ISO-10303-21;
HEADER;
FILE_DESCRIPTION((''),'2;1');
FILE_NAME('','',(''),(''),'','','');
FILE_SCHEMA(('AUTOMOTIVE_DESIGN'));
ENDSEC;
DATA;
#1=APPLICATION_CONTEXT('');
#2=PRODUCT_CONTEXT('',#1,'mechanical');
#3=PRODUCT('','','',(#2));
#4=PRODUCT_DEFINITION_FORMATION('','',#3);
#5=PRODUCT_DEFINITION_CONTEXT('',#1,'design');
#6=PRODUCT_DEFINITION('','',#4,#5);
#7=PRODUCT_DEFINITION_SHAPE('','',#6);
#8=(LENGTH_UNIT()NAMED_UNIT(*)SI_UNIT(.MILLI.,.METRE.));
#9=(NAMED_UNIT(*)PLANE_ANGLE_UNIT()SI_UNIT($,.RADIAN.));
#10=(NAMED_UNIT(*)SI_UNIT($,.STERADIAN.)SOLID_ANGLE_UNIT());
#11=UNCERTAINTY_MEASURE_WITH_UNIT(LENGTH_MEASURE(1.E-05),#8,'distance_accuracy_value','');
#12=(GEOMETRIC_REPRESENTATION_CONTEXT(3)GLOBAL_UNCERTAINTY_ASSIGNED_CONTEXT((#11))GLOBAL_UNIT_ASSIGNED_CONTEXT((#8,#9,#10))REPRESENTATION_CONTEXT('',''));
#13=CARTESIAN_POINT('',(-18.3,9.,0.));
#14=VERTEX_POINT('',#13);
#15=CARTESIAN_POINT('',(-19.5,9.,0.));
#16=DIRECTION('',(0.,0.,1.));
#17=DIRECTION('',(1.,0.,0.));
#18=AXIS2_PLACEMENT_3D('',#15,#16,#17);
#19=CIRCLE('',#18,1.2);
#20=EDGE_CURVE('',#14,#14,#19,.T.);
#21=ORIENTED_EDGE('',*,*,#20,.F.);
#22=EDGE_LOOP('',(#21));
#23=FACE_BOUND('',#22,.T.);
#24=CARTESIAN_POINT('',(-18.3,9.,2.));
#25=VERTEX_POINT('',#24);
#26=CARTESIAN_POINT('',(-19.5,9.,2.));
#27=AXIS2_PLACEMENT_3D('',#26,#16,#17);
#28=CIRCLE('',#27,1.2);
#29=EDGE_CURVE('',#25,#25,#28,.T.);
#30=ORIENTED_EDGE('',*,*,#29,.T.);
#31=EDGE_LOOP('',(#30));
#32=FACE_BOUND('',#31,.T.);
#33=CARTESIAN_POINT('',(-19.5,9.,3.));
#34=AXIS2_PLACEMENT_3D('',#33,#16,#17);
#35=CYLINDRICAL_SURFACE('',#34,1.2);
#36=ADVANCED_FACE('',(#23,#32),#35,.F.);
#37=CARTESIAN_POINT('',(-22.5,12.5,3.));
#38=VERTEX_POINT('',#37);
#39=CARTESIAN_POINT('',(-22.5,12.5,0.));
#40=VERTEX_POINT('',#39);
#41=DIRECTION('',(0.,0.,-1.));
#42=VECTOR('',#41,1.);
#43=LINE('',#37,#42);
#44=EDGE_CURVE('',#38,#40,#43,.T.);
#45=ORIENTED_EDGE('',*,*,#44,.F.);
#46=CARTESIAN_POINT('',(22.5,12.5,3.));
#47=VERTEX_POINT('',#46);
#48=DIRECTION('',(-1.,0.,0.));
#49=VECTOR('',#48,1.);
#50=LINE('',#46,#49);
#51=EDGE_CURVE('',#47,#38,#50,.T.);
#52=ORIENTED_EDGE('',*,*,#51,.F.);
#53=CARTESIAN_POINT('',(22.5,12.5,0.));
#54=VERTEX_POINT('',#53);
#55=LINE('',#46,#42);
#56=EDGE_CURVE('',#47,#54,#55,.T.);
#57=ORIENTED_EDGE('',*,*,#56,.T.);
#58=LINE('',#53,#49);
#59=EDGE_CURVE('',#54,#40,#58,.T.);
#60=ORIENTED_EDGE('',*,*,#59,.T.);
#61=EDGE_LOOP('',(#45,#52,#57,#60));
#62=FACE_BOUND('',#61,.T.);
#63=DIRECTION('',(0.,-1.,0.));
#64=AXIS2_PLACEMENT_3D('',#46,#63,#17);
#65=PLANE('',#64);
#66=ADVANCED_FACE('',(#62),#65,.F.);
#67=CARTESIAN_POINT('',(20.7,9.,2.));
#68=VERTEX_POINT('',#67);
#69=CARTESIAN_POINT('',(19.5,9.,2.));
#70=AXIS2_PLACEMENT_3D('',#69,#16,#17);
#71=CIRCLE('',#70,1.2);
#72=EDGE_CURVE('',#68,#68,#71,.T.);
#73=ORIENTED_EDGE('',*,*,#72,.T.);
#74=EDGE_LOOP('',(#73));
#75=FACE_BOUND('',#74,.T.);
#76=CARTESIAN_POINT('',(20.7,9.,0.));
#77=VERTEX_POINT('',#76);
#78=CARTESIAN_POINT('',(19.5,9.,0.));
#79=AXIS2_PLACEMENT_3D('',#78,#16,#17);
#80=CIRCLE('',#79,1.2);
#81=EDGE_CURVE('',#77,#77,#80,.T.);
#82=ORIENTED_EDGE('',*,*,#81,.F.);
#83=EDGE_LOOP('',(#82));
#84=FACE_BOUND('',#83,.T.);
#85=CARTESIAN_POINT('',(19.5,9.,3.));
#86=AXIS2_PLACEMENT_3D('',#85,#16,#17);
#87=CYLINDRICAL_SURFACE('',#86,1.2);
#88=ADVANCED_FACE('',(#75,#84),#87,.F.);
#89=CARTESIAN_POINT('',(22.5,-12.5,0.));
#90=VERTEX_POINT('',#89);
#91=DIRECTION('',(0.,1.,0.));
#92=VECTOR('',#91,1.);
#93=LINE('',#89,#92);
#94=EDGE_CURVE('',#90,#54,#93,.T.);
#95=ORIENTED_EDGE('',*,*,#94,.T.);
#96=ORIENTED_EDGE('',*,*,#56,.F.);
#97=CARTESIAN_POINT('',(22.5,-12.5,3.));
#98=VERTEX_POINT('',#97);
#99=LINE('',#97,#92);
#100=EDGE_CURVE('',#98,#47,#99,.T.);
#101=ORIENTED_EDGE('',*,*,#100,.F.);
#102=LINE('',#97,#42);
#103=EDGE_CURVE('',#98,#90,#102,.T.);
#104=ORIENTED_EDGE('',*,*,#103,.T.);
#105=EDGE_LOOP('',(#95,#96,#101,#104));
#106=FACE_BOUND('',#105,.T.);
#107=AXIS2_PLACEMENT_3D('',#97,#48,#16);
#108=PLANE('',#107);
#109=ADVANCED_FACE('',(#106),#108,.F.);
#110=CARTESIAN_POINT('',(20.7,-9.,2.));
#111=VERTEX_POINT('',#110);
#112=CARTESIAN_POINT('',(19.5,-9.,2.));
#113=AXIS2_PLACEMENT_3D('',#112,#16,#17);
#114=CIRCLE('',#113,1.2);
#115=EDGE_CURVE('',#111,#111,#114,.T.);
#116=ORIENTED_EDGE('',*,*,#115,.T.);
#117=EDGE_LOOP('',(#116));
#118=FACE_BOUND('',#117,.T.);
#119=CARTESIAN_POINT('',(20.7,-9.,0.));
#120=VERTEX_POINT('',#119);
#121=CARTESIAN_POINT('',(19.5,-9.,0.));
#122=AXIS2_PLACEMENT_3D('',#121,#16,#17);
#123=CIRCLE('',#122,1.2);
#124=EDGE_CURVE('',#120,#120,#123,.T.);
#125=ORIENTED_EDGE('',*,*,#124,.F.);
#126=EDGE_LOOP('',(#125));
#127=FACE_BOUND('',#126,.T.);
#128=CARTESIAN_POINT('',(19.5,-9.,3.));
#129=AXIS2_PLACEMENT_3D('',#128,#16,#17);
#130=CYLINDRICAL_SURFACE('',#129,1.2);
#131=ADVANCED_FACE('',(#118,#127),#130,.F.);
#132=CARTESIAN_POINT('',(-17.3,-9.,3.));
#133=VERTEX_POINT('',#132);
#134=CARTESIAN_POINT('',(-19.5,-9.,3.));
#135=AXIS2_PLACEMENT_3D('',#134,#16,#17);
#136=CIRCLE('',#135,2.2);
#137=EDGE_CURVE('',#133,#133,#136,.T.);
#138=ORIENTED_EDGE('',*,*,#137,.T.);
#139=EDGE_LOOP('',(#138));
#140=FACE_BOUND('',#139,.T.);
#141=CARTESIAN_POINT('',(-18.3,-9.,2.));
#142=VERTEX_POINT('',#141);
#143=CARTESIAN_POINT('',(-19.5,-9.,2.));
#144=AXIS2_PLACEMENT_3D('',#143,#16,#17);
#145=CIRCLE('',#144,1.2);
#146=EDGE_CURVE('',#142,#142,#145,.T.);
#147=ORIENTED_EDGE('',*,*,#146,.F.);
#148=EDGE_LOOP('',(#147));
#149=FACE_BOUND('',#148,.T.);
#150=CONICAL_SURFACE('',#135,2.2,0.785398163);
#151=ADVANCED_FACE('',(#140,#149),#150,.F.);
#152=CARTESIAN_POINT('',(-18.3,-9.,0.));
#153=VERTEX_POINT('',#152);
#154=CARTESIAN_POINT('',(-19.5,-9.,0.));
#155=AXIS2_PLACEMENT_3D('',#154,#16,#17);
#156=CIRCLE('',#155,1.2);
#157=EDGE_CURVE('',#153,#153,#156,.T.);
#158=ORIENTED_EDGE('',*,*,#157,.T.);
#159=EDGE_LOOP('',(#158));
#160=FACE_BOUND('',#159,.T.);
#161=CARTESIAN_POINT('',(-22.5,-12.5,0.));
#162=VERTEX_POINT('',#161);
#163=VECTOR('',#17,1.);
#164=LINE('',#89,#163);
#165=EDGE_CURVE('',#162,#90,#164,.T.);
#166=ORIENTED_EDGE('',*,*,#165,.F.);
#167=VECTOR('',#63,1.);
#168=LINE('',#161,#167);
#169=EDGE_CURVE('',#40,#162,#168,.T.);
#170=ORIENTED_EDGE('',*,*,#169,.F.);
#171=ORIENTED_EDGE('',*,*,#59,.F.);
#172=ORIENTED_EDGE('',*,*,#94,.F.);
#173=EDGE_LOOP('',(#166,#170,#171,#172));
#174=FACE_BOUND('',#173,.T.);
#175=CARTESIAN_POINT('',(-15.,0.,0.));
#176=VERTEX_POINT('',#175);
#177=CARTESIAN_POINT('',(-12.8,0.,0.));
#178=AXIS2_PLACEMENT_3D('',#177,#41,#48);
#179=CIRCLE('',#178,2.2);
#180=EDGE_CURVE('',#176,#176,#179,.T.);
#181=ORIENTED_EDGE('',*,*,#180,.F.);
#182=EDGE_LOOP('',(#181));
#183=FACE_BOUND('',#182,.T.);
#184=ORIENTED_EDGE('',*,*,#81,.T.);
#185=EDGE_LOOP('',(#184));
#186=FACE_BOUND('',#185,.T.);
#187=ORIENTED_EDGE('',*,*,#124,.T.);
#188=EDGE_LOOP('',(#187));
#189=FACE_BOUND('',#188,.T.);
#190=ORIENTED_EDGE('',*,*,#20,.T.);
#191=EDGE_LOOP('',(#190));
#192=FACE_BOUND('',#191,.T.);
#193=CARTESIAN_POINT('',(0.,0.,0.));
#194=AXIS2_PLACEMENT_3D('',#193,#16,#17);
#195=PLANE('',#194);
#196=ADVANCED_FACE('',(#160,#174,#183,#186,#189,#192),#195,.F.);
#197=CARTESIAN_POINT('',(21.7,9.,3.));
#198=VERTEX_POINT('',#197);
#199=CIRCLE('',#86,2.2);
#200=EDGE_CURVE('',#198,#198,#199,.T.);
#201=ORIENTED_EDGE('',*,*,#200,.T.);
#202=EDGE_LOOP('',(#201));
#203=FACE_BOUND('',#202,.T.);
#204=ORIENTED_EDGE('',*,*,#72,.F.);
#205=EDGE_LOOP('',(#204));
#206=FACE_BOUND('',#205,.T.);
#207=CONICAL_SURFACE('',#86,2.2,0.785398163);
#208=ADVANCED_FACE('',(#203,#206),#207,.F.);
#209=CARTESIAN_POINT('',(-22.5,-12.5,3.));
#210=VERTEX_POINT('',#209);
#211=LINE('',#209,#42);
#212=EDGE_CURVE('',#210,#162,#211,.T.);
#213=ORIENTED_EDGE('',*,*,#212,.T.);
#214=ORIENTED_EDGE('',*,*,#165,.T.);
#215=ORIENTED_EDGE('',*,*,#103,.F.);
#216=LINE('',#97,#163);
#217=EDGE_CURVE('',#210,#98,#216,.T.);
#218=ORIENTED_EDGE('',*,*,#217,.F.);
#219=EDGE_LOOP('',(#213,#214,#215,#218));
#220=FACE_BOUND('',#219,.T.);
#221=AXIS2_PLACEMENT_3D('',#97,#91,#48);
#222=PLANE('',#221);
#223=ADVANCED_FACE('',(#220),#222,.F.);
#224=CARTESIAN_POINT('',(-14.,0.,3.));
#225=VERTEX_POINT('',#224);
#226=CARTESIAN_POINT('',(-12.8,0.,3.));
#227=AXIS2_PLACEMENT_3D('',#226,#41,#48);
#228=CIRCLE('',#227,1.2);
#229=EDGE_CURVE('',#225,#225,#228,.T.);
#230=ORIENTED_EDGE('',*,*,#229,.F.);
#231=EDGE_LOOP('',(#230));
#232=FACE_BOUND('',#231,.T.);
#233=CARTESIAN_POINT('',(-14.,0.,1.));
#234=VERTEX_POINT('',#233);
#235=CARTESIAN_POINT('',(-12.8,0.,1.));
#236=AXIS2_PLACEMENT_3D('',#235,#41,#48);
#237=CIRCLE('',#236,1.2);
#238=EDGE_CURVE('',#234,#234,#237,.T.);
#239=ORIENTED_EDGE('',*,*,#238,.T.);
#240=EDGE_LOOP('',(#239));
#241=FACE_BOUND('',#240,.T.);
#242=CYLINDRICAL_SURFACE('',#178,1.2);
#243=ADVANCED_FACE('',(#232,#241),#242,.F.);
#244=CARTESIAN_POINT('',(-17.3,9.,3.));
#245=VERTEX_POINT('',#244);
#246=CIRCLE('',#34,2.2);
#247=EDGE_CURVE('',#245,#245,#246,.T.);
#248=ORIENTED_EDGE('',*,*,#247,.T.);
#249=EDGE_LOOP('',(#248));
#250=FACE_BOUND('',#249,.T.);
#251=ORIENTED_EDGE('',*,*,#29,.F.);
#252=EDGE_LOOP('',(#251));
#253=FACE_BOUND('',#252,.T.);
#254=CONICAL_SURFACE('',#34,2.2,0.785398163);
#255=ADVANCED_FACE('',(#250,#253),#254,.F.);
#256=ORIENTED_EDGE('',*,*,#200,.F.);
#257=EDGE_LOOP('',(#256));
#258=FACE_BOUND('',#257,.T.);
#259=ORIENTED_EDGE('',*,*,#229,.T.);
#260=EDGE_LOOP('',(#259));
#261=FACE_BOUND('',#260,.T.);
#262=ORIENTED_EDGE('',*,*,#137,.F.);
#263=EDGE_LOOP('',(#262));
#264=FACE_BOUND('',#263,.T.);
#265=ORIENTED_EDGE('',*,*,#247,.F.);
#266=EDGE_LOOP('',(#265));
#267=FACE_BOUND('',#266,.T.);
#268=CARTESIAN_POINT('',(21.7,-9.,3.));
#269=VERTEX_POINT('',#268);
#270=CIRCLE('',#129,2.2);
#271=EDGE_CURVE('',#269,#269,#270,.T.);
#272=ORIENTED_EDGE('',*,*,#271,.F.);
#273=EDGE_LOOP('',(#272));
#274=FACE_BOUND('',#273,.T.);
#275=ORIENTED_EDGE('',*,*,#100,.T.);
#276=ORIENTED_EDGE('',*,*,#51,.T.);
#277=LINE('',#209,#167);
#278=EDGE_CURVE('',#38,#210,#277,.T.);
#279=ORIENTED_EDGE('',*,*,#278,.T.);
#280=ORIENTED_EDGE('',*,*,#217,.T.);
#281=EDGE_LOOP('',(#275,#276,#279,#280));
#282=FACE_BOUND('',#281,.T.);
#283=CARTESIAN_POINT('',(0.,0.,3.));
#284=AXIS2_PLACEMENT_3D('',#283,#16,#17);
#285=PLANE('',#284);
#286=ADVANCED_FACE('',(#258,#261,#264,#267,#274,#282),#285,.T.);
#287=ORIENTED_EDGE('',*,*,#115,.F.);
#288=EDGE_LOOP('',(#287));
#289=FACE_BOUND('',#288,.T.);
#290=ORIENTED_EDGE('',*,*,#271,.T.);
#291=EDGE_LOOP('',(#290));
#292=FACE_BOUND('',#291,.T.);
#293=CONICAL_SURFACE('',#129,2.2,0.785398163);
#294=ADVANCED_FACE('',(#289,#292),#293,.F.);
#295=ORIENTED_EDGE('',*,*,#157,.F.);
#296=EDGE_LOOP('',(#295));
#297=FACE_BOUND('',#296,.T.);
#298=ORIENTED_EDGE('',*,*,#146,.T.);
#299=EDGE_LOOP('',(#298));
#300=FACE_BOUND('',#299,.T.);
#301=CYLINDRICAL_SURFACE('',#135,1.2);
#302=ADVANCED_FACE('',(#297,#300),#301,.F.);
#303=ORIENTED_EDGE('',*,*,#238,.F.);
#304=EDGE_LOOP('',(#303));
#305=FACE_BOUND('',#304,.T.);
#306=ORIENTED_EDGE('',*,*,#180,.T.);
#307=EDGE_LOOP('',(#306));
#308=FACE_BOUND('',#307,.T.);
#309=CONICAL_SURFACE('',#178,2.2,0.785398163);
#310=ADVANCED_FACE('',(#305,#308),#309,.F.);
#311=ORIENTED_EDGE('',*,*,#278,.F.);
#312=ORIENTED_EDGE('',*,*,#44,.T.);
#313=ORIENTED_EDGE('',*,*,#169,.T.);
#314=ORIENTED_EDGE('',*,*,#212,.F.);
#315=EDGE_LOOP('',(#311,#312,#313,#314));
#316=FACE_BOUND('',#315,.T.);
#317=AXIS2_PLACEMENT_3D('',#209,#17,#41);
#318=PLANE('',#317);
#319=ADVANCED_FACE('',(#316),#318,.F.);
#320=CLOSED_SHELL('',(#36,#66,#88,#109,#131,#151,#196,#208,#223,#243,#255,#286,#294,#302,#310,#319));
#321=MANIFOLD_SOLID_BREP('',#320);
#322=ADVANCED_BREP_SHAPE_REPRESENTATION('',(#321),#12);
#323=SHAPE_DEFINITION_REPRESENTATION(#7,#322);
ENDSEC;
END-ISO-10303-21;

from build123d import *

# Parameters (mm, degrees)
SKETCH1_W                                       = 45
SKETCH1_H                                       = 25
BOSS_EXTRUDE1_DEPTH                             = 3
CSK_FOR_M2_FLAT_HEAD_MACHINE_SCREW1_D           = 2.4
CSK_FOR_M2_FLAT_HEAD_MACHINE_SCREW1_CSINK_D     = 4.4
CSK_FOR_M2_FLAT_HEAD_MACHINE_SCREW1_CSINK_ANGLE = 90
CSK_FOR_M2_FLAT_HEAD_MACHINE_SCREW2_D           = 2.4
CSK_FOR_M2_FLAT_HEAD_MACHINE_SCREW2_CSINK_D     = 4.4
CSK_FOR_M2_FLAT_HEAD_MACHINE_SCREW2_CSINK_ANGLE = 90


with BuildPart() as part:
    # Sketch1 → Boss-Extrude1 (new body)
    with BuildSketch(Plane.XY):
        Rectangle(SKETCH1_W, SKETCH1_H)
    extrude(amount=BOSS_EXTRUDE1_DEPTH)

    # CSK for M2 Flat Head Machine Screw1 (through all)
    with Locations(Plane.XY.offset(3)):
        with Locations((-19.5, 9), (19.5, 9), (19.5, -9), (-19.5, -9)):
            CounterSinkHole(CSK_FOR_M2_FLAT_HEAD_MACHINE_SCREW1_D / 2, CSK_FOR_M2_FLAT_HEAD_MACHINE_SCREW1_CSINK_D / 2, counter_sink_angle=CSK_FOR_M2_FLAT_HEAD_MACHINE_SCREW1_CSINK_ANGLE)

    # CSK for M2 Flat Head Machine Screw2 (through all)
    with Locations(Plane(origin=(0, 0, 0), x_dir=(-1, 0, 0), z_dir=(0, 0, -1))):
        with Locations((12.8, 0)):
            CounterSinkHole(CSK_FOR_M2_FLAT_HEAD_MACHINE_SCREW2_D / 2, CSK_FOR_M2_FLAT_HEAD_MACHINE_SCREW2_CSINK_D / 2, counter_sink_angle=CSK_FOR_M2_FLAT_HEAD_MACHINE_SCREW2_CSINK_ANGLE)


solid = part.part
